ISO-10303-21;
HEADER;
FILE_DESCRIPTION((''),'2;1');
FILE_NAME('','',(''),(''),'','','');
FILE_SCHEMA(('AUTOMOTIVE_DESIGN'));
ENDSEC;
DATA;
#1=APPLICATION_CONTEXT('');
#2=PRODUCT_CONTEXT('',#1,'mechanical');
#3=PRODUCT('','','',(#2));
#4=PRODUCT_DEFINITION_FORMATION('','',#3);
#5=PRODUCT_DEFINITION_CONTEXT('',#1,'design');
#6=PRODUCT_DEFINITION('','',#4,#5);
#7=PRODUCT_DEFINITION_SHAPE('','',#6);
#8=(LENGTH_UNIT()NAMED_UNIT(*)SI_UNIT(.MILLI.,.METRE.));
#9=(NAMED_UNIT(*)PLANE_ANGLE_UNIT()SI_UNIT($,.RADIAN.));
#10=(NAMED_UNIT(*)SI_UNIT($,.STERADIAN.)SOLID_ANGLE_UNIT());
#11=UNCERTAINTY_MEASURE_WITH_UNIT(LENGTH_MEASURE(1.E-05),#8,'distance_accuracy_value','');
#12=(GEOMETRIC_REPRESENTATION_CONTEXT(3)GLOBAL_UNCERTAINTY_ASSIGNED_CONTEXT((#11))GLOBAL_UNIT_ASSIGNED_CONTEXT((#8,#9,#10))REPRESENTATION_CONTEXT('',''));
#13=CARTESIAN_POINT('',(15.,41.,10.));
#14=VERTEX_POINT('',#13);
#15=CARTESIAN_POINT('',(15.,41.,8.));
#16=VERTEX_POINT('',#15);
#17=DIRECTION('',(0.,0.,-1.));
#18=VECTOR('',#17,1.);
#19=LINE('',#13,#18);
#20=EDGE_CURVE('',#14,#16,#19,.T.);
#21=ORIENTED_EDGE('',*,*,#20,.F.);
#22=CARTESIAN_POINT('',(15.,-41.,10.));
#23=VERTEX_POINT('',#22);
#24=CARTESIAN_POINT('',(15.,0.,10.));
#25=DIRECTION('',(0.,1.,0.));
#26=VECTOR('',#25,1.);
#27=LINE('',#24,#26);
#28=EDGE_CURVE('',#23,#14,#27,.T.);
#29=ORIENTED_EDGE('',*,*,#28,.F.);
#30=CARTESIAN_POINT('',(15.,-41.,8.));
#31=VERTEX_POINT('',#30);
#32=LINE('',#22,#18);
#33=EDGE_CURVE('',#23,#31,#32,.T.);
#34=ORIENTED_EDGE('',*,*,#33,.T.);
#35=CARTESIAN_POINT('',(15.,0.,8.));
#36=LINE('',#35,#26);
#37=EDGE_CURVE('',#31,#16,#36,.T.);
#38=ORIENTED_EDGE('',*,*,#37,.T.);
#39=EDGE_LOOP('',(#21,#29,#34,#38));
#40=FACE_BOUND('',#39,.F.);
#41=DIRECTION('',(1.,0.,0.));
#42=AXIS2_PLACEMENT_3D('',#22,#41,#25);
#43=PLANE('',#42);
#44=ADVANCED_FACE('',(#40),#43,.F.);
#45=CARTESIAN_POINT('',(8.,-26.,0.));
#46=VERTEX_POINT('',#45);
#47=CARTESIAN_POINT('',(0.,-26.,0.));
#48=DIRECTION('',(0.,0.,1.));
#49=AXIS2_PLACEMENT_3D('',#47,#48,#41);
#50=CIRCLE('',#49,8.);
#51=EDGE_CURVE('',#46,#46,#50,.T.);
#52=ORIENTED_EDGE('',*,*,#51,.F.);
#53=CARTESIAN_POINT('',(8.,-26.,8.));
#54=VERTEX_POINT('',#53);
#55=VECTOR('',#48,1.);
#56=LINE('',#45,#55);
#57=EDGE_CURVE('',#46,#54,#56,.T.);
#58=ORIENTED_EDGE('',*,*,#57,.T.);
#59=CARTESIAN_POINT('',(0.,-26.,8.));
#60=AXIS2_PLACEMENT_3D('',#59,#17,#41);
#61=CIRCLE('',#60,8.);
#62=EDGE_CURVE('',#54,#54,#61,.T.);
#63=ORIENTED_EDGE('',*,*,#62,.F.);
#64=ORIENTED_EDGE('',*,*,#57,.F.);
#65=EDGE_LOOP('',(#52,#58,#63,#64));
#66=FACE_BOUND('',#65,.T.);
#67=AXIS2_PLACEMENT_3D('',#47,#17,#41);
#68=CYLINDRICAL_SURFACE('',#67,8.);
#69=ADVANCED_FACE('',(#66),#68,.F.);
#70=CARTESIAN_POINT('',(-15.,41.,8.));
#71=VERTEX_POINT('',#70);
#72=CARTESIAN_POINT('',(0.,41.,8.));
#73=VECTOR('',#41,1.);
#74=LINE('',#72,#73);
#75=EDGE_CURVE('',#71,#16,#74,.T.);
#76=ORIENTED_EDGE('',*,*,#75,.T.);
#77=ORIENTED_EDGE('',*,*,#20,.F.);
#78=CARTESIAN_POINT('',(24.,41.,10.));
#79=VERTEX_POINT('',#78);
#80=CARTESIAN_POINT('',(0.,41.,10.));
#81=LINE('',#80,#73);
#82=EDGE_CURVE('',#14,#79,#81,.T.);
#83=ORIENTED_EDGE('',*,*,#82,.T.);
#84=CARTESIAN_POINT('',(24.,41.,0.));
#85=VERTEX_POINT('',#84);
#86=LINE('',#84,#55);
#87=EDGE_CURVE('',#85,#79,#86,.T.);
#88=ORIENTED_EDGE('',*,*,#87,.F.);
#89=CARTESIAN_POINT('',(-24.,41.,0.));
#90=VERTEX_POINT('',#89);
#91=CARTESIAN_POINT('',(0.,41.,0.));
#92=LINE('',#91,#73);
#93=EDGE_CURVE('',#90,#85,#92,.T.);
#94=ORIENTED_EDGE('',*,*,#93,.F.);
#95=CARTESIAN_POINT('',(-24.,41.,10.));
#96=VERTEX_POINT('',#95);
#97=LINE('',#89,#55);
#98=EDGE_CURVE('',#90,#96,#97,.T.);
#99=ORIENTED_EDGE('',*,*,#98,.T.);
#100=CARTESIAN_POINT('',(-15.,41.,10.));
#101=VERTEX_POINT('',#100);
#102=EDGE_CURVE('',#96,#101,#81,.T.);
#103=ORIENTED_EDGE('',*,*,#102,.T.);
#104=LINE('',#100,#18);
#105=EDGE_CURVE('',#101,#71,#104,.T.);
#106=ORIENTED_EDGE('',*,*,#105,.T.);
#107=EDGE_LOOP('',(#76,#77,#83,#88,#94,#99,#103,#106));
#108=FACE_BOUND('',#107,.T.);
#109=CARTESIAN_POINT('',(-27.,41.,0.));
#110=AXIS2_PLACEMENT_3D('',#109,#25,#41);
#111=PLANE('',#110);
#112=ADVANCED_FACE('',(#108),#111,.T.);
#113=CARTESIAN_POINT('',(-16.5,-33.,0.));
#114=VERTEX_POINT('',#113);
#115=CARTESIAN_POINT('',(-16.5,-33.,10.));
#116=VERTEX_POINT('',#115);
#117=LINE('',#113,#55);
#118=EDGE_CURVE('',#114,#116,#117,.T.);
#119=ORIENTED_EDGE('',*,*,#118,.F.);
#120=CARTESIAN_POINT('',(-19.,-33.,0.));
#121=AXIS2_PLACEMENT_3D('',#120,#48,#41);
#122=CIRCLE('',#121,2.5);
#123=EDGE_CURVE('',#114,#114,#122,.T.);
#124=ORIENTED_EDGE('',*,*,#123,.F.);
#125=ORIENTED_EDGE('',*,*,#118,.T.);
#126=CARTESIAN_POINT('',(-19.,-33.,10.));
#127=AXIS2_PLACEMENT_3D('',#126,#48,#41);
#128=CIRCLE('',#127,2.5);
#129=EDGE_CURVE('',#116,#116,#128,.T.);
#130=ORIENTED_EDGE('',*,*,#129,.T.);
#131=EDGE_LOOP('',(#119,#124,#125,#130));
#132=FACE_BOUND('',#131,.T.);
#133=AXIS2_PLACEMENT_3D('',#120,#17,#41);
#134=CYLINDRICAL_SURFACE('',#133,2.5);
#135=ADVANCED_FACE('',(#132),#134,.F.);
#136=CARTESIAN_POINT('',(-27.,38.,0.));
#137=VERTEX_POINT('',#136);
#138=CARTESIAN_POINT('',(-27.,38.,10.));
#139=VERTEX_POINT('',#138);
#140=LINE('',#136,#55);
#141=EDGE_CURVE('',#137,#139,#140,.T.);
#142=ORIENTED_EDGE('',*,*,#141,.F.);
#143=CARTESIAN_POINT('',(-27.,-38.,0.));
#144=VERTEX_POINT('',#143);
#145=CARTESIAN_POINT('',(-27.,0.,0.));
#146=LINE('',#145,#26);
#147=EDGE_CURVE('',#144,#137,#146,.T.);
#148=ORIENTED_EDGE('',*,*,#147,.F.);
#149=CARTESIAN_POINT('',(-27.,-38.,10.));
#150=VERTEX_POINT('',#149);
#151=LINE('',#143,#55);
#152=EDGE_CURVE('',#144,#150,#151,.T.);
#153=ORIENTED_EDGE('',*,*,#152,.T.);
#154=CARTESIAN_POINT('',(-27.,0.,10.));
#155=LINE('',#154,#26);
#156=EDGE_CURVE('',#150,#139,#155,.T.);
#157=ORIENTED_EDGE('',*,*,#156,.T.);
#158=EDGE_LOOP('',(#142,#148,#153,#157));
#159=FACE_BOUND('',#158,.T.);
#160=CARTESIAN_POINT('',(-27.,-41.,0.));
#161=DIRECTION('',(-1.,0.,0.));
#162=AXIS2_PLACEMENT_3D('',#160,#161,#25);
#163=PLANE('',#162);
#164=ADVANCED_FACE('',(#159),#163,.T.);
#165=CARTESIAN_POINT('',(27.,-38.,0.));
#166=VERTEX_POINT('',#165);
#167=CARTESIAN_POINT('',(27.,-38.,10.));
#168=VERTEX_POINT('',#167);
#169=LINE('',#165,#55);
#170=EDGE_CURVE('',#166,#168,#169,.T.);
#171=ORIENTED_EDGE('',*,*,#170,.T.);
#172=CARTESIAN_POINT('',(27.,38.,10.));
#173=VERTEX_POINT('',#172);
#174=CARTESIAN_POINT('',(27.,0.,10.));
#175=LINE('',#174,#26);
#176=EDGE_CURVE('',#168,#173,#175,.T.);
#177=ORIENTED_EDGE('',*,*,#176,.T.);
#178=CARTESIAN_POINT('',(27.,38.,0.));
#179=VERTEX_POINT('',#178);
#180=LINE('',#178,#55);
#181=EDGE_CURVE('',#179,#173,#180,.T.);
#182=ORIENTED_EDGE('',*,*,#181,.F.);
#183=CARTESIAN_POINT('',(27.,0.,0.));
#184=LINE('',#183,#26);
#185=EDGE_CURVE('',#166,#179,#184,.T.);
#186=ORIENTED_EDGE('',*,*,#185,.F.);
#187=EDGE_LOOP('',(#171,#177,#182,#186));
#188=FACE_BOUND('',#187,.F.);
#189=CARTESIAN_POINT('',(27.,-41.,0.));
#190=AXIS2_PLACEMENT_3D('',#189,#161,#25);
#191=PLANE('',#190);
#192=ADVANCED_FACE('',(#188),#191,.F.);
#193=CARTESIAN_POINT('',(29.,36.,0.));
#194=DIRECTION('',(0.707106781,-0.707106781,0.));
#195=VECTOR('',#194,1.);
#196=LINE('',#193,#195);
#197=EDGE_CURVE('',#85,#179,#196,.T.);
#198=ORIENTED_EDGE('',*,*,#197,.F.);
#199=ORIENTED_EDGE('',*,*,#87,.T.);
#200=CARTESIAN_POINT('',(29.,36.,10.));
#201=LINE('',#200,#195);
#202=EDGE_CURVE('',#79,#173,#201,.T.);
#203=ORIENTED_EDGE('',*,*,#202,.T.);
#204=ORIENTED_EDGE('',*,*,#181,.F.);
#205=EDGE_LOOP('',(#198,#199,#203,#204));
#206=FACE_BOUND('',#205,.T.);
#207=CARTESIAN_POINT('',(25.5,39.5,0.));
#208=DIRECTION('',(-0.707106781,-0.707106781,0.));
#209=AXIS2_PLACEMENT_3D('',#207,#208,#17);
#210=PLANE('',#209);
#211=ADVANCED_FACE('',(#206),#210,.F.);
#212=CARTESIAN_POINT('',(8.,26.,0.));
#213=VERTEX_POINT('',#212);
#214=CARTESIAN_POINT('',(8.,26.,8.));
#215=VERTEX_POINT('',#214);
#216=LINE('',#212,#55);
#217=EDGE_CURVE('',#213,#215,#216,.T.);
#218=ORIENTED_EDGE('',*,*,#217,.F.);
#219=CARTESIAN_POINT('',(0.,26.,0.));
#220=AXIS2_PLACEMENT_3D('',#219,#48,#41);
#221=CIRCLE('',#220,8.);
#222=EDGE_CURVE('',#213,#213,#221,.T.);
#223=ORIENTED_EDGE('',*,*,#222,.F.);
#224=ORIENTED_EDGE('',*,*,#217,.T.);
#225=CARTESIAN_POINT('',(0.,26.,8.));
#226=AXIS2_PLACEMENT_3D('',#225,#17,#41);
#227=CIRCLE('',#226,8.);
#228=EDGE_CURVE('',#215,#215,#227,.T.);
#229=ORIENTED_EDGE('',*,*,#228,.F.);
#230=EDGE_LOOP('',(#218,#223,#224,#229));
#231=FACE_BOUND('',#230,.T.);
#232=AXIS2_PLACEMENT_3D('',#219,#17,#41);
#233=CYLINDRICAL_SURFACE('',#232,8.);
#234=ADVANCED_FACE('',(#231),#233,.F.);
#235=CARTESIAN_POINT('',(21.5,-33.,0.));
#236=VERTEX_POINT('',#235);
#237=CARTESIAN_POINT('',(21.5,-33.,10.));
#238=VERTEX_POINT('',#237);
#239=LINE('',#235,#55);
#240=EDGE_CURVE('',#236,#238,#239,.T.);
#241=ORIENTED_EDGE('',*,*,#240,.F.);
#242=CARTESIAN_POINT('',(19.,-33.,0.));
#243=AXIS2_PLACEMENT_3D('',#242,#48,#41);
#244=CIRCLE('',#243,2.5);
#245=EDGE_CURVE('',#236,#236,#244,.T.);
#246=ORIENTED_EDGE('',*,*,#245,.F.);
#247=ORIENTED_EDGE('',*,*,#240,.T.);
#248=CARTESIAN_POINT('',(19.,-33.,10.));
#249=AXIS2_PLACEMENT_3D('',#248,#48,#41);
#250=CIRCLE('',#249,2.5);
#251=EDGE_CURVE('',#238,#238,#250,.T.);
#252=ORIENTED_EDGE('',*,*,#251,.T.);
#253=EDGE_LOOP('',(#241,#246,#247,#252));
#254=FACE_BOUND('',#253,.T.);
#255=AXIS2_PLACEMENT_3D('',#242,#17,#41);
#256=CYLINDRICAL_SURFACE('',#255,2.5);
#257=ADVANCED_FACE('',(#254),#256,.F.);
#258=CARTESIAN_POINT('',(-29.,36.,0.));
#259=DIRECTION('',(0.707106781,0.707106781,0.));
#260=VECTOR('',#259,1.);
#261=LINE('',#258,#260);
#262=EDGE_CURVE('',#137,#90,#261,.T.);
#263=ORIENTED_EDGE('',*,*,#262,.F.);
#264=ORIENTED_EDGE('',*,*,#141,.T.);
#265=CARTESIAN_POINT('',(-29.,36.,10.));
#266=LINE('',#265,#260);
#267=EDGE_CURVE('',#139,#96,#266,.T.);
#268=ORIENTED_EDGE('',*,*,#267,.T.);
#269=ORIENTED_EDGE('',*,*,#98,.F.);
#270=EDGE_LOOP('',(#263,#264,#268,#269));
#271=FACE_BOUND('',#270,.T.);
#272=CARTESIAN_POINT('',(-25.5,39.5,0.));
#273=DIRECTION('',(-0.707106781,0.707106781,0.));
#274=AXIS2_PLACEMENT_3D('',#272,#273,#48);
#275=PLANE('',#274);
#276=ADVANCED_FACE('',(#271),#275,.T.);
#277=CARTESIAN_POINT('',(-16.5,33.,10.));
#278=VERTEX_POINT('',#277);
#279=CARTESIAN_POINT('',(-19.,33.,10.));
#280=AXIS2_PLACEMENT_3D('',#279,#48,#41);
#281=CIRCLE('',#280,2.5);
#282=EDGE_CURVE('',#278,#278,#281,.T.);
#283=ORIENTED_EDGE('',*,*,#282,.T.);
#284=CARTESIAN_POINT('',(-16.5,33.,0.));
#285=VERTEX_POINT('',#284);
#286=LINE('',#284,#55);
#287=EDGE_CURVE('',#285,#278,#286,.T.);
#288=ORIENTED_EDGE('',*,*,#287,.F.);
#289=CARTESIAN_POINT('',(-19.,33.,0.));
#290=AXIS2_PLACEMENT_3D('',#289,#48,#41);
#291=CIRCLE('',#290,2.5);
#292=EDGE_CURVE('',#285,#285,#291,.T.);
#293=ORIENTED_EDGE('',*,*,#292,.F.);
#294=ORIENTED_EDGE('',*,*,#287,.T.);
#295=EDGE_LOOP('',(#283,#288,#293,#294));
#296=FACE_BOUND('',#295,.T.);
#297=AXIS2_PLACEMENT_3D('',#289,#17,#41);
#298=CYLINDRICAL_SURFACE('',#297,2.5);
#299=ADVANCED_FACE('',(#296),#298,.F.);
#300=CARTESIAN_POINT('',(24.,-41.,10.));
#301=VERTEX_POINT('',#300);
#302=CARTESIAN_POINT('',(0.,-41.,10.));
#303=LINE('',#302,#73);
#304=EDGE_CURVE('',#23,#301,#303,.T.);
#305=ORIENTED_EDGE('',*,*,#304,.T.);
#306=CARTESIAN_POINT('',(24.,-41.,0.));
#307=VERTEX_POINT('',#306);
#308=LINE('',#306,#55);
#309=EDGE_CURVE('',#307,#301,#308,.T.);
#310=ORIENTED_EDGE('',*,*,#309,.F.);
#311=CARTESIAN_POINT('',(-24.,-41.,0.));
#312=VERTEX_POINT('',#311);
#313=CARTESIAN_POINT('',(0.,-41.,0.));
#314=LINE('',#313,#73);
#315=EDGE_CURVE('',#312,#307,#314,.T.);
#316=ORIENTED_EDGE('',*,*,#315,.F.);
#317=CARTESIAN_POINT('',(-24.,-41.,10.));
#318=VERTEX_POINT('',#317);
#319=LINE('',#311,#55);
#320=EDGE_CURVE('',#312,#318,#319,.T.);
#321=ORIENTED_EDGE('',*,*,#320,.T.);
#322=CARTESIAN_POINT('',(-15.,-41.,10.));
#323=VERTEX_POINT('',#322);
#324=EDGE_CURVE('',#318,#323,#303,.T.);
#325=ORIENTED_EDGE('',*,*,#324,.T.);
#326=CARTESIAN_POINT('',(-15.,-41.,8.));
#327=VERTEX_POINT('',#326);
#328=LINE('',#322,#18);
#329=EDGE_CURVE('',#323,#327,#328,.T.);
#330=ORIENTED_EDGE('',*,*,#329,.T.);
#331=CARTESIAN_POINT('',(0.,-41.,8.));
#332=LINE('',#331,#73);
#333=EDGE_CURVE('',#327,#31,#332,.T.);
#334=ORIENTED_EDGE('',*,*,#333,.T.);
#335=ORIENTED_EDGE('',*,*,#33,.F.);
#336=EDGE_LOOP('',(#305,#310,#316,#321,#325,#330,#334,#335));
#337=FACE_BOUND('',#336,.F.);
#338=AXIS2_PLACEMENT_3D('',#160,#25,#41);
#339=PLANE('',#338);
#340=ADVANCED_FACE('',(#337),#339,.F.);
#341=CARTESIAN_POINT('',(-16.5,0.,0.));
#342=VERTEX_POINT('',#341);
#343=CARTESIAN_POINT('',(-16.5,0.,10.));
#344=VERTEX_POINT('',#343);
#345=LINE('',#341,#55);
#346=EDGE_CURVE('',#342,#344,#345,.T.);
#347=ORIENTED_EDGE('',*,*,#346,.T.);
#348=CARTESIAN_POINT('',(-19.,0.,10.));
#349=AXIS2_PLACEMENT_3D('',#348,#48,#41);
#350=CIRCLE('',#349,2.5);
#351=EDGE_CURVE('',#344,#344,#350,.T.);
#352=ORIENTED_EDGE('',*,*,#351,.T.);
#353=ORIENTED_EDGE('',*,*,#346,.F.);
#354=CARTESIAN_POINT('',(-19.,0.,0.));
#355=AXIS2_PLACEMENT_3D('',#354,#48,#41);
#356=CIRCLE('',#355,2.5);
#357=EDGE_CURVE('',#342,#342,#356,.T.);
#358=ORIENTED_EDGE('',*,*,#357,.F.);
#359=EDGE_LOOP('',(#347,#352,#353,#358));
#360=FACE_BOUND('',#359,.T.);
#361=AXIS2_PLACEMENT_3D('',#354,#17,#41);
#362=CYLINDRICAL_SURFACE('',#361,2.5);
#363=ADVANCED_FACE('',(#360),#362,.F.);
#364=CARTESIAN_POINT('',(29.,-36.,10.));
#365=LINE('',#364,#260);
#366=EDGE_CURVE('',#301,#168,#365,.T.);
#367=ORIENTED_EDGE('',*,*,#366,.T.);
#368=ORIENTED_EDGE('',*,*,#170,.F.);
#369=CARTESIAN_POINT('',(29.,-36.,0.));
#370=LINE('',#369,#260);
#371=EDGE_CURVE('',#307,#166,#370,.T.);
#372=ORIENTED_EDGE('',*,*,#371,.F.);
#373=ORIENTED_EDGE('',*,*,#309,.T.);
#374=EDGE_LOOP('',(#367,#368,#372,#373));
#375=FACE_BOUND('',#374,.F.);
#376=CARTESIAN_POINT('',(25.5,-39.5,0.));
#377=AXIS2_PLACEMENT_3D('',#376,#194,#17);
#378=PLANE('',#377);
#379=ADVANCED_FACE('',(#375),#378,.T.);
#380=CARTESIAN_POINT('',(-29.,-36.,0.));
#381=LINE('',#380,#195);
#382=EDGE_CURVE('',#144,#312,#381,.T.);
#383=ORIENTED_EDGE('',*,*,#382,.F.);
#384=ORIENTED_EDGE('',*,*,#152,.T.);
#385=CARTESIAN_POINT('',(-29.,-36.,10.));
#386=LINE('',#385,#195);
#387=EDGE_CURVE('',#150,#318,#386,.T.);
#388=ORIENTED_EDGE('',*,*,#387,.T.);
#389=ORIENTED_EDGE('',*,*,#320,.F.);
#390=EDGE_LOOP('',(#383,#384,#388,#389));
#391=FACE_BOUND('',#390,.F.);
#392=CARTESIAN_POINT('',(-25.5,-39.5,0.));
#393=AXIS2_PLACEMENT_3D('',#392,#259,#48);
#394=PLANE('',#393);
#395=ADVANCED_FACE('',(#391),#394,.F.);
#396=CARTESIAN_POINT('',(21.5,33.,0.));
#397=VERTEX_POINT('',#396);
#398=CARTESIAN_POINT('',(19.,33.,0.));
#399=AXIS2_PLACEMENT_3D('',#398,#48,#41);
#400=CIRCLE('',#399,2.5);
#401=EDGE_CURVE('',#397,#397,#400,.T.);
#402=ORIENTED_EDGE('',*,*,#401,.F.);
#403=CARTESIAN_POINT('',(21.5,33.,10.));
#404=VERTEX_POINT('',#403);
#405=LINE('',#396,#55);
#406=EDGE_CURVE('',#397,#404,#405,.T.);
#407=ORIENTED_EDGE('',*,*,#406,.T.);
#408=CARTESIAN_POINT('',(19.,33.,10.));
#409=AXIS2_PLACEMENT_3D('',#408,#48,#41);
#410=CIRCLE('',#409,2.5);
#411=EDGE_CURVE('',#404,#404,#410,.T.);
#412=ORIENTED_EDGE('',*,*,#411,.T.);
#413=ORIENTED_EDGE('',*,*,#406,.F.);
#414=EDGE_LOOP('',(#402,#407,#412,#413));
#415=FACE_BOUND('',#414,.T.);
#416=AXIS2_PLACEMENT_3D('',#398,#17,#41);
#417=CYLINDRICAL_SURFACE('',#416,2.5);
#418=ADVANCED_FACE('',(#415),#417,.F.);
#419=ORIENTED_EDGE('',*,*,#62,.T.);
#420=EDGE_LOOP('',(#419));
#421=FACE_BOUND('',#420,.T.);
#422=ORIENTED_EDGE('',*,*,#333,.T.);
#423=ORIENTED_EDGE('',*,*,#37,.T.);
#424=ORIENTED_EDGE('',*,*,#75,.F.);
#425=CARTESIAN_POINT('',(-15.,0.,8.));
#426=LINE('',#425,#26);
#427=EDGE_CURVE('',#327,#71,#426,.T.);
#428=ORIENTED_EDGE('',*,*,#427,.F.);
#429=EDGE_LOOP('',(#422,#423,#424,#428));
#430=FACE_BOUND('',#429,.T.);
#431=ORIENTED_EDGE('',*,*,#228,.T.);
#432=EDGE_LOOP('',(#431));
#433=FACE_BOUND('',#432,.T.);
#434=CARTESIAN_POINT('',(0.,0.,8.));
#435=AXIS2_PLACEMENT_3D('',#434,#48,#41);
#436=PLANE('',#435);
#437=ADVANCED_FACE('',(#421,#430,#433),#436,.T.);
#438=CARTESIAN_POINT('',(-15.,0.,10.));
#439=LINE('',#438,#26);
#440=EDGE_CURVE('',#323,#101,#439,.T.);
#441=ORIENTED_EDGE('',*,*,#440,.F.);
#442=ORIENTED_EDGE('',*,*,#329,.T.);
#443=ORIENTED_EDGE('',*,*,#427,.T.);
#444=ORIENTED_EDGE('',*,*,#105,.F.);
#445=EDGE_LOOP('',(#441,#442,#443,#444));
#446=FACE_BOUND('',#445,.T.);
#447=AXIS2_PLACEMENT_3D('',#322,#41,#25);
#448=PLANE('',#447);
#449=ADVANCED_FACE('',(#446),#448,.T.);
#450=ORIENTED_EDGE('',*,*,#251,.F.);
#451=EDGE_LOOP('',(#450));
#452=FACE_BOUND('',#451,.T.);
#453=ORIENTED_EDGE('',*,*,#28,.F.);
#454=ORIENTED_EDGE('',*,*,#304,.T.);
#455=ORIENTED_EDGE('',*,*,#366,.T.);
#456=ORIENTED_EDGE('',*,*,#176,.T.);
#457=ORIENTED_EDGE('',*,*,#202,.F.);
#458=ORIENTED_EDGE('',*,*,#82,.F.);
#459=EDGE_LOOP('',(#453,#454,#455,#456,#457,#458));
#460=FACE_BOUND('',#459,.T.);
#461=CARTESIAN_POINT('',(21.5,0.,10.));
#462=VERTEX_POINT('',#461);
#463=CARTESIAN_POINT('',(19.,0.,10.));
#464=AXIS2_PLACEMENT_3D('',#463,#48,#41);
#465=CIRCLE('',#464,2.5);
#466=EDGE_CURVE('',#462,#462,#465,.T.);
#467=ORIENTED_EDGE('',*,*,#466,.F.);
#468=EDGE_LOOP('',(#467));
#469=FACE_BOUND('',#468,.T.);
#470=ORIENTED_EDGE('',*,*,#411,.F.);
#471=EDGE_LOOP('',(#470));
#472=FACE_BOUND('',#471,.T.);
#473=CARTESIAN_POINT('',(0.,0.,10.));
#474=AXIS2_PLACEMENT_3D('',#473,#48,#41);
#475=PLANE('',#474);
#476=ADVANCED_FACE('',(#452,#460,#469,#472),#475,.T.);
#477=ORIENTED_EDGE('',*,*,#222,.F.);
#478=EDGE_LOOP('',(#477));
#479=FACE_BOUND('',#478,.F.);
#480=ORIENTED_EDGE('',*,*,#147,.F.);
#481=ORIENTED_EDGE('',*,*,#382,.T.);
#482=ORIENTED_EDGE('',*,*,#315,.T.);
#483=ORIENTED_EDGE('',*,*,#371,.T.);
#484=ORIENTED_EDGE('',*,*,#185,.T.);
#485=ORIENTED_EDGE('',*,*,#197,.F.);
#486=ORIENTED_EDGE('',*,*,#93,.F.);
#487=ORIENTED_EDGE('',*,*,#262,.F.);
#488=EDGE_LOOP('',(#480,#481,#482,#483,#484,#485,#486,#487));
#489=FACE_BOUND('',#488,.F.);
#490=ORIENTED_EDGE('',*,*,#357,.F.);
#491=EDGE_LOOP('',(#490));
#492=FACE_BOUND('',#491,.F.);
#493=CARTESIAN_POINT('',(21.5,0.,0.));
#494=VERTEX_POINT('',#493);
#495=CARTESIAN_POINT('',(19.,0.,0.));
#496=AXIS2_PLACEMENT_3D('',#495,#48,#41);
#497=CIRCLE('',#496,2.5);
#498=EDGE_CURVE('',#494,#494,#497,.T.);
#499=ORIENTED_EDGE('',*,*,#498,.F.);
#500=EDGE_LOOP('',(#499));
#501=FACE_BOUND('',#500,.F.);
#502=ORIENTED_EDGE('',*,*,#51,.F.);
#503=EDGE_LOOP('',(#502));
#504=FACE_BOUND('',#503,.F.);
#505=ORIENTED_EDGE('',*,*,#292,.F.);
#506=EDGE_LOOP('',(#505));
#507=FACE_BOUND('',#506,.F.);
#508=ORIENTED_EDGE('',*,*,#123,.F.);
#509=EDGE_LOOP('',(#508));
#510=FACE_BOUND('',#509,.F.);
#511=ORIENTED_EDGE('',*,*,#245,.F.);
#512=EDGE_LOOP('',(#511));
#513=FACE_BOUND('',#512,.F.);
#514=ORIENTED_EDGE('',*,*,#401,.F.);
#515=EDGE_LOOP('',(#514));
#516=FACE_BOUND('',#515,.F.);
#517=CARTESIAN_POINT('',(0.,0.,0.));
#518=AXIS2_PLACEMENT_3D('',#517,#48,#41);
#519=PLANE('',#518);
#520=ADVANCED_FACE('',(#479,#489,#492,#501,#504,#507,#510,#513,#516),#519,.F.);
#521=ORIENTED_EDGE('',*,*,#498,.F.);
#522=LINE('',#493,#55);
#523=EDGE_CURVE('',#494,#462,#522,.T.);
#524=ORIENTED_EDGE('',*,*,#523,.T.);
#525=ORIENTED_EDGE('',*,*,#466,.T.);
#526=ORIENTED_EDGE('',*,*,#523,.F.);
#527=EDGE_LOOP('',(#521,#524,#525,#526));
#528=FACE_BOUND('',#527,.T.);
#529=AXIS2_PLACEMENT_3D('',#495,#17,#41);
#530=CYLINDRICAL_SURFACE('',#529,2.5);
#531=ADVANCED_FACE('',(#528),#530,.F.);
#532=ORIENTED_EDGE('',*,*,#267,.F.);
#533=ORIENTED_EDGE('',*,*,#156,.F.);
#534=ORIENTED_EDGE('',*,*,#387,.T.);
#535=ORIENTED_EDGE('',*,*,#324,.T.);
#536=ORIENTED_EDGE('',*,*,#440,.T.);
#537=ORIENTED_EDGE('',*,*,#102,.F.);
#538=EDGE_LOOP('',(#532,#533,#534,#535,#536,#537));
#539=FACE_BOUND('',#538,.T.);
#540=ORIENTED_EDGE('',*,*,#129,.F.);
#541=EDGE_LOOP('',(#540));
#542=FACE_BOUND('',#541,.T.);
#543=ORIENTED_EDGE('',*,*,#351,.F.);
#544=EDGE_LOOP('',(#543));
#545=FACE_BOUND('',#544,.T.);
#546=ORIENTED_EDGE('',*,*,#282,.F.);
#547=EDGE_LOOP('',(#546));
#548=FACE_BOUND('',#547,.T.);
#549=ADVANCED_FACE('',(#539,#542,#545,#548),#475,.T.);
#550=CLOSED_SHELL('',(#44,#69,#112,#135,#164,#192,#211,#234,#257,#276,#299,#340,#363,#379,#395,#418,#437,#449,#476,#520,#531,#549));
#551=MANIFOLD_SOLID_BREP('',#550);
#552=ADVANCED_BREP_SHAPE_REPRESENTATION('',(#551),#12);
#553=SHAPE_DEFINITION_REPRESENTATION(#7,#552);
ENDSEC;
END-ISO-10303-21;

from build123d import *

# Parameters (mm, degrees)
F0_W     = 54
F0_H     = 82
F0_R     = 2.5
F0_R_2   = 8
F1_DEPTH = 10
F2_SIZE  = 3
F3_W     = 30
F3_H     = 82
F4_DEPTH = 2


with BuildPart() as f1:
    # F0 (on Top) → F1 (new body)
    with BuildSketch(Plane.XY):
        Rectangle(F0_W, F0_H)
        with Locations((-19, -33)):
            Circle(F0_R, mode=Mode.SUBTRACT)
        with Locations((0, -26)):
            Circle(F0_R_2, mode=Mode.SUBTRACT)
        with Locations((19, -33)):
            Circle(F0_R, mode=Mode.SUBTRACT)
        with Locations((-19, 0)):
            Circle(F0_R, mode=Mode.SUBTRACT)
        with Locations((-19, 33)):
            Circle(F0_R, mode=Mode.SUBTRACT)
        with Locations((19, 0)):
            Circle(F0_R, mode=Mode.SUBTRACT)
        with Locations((0, 26)):
            Circle(F0_R_2, mode=Mode.SUBTRACT)
        with Locations((19, 33)):
            Circle(F0_R, mode=Mode.SUBTRACT)
    extrude(amount=F1_DEPTH)

    # F2
    f2_edges = [f1.edges().sort_by_distance(p)[0] for p in [
        (27, -41, 5),
        (-27, -41, 5),
        (27, 41, 5),
        (-27, 41, 5),
    ]]
    chamfer(f2_edges, length=F2_SIZE)

    # F3 (on face) → F4 (cut)
    with BuildSketch(Plane.XY.offset(10)):
        Rectangle(F3_W, F3_H)
    extrude(amount=-F4_DEPTH, mode=Mode.SUBTRACT)


solid = f1.part
